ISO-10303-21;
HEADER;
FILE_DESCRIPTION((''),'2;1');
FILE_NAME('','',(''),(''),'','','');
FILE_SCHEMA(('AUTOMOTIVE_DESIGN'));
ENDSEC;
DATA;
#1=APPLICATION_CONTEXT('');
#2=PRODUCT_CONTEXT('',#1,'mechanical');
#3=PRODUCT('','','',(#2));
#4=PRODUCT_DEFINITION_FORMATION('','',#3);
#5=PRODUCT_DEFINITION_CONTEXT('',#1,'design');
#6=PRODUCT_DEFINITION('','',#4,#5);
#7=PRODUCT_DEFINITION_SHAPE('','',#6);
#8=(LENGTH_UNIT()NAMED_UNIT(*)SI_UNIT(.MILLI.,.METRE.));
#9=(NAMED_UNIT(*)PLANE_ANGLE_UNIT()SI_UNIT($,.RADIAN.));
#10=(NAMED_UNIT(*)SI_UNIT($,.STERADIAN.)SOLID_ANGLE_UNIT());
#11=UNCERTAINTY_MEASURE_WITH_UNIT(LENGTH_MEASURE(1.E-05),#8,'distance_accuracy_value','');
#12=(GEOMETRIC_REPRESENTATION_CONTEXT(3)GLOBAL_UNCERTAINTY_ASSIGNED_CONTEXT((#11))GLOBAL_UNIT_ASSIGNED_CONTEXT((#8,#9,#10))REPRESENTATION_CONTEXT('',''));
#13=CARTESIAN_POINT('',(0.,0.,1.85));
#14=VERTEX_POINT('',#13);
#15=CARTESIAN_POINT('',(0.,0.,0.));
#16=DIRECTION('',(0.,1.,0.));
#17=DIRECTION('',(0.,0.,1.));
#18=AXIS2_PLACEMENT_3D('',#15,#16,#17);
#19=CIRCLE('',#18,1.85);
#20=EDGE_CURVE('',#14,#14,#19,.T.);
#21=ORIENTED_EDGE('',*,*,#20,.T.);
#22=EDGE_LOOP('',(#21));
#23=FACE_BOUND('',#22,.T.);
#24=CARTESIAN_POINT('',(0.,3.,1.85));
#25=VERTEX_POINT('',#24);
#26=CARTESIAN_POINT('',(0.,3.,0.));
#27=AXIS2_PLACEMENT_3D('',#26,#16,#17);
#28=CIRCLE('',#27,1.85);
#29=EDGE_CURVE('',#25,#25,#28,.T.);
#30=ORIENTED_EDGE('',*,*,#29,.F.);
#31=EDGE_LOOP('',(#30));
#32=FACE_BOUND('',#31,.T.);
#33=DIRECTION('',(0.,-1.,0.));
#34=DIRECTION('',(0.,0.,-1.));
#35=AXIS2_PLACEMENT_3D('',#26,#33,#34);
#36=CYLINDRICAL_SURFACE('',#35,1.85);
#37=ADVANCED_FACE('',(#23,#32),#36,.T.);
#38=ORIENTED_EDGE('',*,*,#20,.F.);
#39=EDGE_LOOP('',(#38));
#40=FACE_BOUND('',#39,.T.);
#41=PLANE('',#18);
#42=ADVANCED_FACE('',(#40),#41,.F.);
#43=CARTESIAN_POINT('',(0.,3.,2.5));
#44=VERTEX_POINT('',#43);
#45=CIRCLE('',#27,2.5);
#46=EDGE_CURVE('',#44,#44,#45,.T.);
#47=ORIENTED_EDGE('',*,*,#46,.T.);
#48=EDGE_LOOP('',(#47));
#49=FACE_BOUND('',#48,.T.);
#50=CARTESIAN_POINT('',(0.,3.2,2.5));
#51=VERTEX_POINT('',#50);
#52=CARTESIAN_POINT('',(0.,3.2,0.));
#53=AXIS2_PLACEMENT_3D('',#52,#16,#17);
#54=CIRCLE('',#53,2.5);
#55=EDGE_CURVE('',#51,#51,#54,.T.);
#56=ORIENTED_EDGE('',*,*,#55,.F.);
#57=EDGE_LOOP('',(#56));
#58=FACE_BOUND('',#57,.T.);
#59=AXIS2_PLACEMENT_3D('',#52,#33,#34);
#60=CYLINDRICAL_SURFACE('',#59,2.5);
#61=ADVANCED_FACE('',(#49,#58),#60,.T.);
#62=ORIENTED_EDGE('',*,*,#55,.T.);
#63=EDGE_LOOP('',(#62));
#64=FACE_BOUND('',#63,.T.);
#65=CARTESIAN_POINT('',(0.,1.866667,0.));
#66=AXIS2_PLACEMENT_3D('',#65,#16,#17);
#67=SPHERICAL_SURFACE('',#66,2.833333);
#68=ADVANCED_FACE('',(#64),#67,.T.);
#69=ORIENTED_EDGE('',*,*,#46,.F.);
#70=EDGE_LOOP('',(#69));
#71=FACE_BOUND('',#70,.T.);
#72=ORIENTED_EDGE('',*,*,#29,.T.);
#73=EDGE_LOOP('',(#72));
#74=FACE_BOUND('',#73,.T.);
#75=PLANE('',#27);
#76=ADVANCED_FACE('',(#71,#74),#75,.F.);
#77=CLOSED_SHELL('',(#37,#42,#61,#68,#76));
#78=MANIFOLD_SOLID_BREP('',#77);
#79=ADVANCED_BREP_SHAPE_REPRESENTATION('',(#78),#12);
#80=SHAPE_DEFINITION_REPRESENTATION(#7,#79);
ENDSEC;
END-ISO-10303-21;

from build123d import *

# Parameters (mm, degrees)
SKETCH1_R           = 1.85
BOSS_EXTRUDE1_DEPTH = 3
SKETCH2_R           = 2.5
BOSS_EXTRUDE2_DEPTH = 0.2
DOME2_FACE_RADIUS   = 2.5
DOME2_HEIGHT        = 1.5


with BuildPart() as part:
    # Sketch1 → Boss-Extrude1 (new body)
    with BuildSketch(Plane(origin=(0, 0, 0), x_dir=(1, 0, 0), z_dir=(0, 1, 0))):
        with Locations(Location((0, 0, 0), (0, 0, 270))):
            Circle(SKETCH1_R)
    extrude(amount=BOSS_EXTRUDE1_DEPTH)

    # Sketch2 → Boss-Extrude2 (add)
    with BuildSketch(Plane(origin=(0, 3, 0), x_dir=(1, 0, 0), z_dir=(0, 1, 0))):
        with Locations(Location((0, 0, 0), (0, 0, 270))):
            Circle(SKETCH2_R)
    extrude(amount=BOSS_EXTRUDE2_DEPTH)

    # Dome2: a dome of height H over a round flat face of radius A is a cap of a sphere of radius (A * A + H * H) / (2 * H)
    dome2_r = (DOME2_FACE_RADIUS * DOME2_FACE_RADIUS + DOME2_HEIGHT * DOME2_HEIGHT) / (2 * DOME2_HEIGHT)
    dome2_base = Plane((0, 3.2, 0), z_dir=(0, 1, 0))
    with Locations(dome2_base.offset(DOME2_HEIGHT - dome2_r)):
        dome2_ball = Sphere(dome2_r, mode=Mode.PRIVATE)
    add(split(dome2_ball, bisect_by=dome2_base, keep=Keep.TOP, mode=Mode.PRIVATE))


solid = part.part
